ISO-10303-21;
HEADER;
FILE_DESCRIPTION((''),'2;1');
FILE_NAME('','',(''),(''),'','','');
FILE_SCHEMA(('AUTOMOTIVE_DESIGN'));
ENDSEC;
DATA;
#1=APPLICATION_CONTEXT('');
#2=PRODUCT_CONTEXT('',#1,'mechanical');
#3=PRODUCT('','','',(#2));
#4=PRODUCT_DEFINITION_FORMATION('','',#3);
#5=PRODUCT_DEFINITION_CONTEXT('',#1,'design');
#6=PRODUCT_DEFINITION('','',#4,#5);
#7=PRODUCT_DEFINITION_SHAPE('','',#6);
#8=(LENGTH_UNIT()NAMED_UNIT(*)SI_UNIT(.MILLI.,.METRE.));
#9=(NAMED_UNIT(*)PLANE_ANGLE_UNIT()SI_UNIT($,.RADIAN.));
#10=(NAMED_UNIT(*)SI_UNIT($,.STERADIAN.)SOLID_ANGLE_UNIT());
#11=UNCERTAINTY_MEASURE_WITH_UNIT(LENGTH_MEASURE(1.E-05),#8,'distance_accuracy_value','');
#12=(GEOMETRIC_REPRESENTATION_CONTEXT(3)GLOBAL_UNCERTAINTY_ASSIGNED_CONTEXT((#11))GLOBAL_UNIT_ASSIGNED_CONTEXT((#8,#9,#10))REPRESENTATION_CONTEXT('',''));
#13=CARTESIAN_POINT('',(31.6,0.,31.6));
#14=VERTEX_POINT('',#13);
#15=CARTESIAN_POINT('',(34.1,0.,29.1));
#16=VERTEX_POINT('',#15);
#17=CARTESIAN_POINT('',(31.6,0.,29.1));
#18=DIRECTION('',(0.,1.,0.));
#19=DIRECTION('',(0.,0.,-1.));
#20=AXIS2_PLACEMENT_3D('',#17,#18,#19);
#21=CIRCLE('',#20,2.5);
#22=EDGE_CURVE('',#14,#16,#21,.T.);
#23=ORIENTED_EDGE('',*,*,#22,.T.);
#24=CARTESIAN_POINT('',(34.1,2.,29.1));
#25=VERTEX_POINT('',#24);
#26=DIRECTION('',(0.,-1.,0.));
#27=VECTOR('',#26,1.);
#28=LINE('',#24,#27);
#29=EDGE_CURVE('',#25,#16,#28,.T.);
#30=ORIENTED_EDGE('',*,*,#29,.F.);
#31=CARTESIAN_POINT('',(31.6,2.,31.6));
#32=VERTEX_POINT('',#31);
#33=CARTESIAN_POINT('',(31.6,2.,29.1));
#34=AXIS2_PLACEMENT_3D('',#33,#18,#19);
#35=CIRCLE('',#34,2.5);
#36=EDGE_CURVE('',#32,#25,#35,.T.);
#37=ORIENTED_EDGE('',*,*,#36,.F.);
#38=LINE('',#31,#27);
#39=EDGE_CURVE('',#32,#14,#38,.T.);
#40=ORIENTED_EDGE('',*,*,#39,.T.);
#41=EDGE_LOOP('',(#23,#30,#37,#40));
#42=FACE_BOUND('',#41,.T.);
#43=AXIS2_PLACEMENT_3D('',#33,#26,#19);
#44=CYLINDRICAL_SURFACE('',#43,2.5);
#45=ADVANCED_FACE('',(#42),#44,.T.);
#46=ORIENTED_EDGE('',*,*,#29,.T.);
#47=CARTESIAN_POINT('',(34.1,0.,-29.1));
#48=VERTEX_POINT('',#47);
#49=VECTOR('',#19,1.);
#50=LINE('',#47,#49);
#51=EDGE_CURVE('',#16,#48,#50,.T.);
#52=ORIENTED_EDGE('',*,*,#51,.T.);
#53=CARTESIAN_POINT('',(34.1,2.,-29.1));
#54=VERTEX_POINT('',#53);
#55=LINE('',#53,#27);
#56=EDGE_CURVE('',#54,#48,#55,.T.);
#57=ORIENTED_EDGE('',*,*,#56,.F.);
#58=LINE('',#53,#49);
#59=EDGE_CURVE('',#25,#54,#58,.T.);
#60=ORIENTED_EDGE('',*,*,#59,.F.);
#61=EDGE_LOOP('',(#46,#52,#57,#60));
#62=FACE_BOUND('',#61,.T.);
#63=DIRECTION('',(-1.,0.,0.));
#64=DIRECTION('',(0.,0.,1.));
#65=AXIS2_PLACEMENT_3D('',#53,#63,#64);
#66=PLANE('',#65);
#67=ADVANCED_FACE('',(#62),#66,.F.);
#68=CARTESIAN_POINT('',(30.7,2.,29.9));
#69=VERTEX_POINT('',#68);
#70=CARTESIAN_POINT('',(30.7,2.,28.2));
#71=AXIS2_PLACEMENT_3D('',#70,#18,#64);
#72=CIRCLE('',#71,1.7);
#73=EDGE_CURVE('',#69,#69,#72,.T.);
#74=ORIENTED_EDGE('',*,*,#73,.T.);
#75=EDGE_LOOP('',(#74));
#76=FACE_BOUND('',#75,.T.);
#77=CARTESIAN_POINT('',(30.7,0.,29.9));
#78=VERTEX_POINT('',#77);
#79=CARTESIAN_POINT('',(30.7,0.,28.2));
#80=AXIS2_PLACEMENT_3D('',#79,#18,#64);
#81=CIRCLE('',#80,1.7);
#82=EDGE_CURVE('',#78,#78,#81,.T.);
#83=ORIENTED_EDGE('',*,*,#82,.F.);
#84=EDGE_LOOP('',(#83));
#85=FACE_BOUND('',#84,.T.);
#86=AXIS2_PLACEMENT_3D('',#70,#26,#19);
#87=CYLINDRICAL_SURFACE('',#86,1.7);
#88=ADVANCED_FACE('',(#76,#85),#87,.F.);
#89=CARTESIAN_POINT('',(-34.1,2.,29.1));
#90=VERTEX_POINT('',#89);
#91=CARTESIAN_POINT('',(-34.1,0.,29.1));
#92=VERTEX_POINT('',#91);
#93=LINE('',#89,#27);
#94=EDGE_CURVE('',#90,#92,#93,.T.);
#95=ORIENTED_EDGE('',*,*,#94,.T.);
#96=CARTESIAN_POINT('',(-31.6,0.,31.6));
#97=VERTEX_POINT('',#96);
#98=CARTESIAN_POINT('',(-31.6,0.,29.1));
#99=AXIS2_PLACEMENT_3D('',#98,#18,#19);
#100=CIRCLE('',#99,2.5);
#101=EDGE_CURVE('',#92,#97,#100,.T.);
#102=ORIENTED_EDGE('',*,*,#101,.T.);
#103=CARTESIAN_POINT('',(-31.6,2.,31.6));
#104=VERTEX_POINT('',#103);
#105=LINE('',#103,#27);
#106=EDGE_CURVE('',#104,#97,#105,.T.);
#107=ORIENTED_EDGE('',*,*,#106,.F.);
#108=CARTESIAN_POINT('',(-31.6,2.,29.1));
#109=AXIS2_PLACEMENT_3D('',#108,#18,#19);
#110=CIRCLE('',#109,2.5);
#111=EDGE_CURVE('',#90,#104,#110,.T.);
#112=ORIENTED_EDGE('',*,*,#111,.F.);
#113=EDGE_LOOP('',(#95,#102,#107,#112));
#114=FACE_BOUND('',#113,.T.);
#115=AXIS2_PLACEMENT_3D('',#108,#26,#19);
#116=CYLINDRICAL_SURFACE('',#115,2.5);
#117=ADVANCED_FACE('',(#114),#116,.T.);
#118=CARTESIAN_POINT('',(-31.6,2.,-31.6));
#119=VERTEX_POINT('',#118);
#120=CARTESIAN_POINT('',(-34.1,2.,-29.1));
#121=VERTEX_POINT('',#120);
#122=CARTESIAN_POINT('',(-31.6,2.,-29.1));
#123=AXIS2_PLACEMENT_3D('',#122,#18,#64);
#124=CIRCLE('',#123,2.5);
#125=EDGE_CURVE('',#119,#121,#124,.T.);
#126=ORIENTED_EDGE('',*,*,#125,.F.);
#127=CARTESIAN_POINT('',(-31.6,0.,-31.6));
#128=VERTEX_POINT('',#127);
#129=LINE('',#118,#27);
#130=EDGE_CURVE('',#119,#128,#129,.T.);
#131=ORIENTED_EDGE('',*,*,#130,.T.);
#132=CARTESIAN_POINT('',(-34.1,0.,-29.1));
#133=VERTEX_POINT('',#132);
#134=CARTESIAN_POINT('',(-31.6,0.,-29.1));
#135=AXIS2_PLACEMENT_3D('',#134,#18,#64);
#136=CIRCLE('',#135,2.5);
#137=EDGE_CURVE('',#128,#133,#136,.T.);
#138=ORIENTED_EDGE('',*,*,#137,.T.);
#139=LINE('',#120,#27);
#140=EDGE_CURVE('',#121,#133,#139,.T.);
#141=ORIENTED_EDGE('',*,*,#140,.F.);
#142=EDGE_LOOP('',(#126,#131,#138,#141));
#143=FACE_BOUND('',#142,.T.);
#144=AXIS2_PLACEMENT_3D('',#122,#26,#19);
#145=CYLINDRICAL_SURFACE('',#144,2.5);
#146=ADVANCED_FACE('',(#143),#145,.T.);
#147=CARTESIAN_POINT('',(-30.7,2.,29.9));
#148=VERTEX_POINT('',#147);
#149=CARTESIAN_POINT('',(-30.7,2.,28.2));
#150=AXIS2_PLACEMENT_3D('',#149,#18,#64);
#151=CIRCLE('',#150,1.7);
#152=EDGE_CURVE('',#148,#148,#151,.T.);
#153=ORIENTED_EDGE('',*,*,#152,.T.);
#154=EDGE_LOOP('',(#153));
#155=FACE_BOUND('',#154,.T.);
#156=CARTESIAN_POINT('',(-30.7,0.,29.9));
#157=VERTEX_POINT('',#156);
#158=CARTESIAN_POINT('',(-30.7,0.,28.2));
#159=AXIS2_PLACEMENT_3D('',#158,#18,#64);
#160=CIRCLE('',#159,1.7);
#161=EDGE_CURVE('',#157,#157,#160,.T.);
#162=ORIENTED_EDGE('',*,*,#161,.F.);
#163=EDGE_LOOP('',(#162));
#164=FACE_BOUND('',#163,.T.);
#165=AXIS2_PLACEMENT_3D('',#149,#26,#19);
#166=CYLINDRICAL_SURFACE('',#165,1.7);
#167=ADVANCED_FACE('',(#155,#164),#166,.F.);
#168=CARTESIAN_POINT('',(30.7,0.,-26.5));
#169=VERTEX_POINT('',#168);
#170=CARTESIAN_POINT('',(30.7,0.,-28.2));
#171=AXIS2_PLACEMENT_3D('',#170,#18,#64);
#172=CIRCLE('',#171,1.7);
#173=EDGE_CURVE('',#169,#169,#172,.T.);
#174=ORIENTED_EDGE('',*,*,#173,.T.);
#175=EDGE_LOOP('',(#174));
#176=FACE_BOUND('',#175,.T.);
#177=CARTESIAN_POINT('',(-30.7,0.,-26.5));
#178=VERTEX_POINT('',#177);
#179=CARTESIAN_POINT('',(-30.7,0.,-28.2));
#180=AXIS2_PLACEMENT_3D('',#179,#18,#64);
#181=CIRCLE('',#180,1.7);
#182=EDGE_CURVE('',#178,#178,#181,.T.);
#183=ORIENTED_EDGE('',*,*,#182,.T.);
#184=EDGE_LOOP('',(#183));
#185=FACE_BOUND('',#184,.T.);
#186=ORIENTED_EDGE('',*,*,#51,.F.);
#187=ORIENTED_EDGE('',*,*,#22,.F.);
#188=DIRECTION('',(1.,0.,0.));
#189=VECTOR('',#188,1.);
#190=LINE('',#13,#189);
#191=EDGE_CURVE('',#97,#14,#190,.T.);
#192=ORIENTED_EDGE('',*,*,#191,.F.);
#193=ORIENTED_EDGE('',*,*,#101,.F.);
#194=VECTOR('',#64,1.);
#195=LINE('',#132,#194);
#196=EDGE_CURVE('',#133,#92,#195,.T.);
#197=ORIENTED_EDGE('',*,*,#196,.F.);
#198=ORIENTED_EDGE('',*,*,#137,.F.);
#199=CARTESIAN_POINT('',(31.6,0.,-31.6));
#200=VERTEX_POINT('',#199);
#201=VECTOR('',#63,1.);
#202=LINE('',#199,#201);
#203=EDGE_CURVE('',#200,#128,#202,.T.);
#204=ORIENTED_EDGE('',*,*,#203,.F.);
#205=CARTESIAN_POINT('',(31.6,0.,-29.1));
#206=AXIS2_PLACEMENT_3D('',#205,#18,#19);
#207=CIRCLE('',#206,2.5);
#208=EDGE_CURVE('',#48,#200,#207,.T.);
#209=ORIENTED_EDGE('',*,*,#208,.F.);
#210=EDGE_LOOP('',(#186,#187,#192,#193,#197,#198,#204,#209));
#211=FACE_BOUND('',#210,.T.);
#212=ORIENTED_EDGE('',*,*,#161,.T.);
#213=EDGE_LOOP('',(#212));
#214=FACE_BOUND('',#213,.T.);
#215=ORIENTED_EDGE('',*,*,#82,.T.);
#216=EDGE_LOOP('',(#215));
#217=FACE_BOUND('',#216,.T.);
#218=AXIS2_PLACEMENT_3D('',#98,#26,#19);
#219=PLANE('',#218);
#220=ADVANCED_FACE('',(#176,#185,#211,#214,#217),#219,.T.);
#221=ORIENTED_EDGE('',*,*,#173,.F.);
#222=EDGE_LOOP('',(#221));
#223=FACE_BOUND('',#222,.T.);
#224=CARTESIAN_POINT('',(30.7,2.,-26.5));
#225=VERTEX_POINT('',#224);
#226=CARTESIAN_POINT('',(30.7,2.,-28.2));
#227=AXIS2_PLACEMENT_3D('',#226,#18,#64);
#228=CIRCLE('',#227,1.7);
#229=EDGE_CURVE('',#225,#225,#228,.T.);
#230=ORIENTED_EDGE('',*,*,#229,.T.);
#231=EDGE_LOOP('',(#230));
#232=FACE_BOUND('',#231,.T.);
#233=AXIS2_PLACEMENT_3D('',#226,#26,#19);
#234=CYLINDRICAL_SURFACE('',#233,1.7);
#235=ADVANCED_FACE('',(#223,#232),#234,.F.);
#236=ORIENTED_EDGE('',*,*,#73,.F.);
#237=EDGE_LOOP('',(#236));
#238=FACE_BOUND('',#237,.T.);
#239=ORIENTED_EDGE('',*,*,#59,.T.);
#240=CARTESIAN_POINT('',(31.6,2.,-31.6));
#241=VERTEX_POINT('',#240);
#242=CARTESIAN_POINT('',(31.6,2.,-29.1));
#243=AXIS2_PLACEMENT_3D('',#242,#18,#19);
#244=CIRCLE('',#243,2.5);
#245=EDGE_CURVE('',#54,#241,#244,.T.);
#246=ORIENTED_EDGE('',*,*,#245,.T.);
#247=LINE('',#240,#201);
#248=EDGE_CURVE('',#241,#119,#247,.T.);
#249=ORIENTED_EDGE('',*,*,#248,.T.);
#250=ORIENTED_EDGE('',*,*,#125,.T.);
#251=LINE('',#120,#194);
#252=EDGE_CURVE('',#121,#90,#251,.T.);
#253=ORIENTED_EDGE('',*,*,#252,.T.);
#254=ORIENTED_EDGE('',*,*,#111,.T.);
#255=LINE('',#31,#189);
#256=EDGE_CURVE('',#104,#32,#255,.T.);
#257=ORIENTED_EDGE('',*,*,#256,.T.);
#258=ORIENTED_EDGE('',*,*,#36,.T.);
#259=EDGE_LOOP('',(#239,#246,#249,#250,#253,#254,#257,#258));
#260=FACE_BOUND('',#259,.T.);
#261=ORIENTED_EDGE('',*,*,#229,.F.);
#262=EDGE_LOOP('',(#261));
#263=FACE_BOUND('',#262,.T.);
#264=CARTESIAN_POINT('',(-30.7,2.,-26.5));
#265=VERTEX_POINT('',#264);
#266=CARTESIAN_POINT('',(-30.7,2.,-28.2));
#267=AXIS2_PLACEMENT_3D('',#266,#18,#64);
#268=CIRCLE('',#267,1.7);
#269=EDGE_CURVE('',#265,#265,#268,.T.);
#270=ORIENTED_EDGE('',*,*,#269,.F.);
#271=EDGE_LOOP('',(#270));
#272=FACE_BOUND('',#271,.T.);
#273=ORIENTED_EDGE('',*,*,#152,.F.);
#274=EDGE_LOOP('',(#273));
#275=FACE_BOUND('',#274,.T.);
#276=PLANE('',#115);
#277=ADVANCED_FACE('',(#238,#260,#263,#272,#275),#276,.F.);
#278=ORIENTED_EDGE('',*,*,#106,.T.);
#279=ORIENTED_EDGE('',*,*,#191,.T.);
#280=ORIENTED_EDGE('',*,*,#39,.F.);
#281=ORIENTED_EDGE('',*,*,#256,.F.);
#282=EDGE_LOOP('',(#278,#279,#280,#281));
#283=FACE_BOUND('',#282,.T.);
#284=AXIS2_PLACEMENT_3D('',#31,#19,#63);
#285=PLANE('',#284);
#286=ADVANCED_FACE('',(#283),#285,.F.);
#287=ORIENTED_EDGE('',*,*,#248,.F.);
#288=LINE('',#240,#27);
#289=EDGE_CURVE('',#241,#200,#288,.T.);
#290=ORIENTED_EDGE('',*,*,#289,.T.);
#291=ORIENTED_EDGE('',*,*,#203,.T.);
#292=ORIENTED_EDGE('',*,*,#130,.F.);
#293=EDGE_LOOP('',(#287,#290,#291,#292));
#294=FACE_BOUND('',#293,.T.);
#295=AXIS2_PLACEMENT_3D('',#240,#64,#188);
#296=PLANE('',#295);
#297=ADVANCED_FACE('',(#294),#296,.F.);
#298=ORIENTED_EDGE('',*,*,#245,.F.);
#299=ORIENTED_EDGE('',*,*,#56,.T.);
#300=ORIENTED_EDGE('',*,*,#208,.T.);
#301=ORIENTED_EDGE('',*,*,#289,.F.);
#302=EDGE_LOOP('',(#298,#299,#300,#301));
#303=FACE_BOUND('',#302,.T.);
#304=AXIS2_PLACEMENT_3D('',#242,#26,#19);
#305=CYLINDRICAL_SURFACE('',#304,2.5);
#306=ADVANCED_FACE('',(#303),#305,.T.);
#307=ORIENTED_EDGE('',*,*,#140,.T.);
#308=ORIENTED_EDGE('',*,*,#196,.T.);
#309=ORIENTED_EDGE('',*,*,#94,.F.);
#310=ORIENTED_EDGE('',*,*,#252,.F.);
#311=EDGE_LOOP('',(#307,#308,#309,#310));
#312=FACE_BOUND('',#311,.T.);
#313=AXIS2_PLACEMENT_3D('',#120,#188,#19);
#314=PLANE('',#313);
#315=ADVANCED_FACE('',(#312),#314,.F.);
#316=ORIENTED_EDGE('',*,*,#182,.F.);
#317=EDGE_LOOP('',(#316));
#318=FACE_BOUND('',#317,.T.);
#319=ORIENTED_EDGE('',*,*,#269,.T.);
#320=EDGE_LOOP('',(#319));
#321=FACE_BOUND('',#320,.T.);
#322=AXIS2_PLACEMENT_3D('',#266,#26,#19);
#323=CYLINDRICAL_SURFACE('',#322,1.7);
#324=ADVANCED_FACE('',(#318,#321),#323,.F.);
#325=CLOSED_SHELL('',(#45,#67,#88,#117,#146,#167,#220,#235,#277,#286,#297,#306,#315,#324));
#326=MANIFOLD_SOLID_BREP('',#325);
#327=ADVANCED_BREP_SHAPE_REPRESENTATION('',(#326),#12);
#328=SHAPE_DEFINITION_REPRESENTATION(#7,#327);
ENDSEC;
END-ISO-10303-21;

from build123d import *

# Parameters (mm, degrees)
SKETCH_1_R      = 1.7
EXTRUDE_2_DEPTH = 2


with BuildPart() as part:
    # ｽｹｯﾁ1 → ﾎﾞｽ - 押し出し2 (new body)
    with BuildSketch(Plane(origin=(0, 0, 0), x_dir=(1, 0, 0), z_dir=(0, 1, 0))):
        with BuildLine():
            Line((31.6, 31.6), (-31.6, 31.6))
            ThreePointArc((-31.6, 31.6), (-33.367766953, 30.867766953), (-34.1, 29.1))
            Line((-34.1, 29.1), (-34.1, -29.1))
            ThreePointArc((-34.1, -29.1), (-33.367766953, -30.867766953), (-31.6, -31.6))
            Line((-31.6, -31.6), (31.6, -31.6))
            ThreePointArc((31.6, -31.6), (33.367766953, -30.867766953), (34.1, -29.1))
            Line((34.1, -29.1), (34.1, 29.1))
            ThreePointArc((34.1, 29.1), (33.367766953, 30.867766953), (31.6, 31.6))
        make_face()
        with Locations((-30.7, 28.2)):
            Circle(SKETCH_1_R, mode=Mode.SUBTRACT)
        with Locations((30.7, 28.2)):
            Circle(SKETCH_1_R, mode=Mode.SUBTRACT)
        with Locations((-30.7, -28.2)):
            Circle(SKETCH_1_R, mode=Mode.SUBTRACT)
        with Locations((30.7, -28.2)):
            Circle(SKETCH_1_R, mode=Mode.SUBTRACT)
    extrude(amount=EXTRUDE_2_DEPTH)


solid = part.part
